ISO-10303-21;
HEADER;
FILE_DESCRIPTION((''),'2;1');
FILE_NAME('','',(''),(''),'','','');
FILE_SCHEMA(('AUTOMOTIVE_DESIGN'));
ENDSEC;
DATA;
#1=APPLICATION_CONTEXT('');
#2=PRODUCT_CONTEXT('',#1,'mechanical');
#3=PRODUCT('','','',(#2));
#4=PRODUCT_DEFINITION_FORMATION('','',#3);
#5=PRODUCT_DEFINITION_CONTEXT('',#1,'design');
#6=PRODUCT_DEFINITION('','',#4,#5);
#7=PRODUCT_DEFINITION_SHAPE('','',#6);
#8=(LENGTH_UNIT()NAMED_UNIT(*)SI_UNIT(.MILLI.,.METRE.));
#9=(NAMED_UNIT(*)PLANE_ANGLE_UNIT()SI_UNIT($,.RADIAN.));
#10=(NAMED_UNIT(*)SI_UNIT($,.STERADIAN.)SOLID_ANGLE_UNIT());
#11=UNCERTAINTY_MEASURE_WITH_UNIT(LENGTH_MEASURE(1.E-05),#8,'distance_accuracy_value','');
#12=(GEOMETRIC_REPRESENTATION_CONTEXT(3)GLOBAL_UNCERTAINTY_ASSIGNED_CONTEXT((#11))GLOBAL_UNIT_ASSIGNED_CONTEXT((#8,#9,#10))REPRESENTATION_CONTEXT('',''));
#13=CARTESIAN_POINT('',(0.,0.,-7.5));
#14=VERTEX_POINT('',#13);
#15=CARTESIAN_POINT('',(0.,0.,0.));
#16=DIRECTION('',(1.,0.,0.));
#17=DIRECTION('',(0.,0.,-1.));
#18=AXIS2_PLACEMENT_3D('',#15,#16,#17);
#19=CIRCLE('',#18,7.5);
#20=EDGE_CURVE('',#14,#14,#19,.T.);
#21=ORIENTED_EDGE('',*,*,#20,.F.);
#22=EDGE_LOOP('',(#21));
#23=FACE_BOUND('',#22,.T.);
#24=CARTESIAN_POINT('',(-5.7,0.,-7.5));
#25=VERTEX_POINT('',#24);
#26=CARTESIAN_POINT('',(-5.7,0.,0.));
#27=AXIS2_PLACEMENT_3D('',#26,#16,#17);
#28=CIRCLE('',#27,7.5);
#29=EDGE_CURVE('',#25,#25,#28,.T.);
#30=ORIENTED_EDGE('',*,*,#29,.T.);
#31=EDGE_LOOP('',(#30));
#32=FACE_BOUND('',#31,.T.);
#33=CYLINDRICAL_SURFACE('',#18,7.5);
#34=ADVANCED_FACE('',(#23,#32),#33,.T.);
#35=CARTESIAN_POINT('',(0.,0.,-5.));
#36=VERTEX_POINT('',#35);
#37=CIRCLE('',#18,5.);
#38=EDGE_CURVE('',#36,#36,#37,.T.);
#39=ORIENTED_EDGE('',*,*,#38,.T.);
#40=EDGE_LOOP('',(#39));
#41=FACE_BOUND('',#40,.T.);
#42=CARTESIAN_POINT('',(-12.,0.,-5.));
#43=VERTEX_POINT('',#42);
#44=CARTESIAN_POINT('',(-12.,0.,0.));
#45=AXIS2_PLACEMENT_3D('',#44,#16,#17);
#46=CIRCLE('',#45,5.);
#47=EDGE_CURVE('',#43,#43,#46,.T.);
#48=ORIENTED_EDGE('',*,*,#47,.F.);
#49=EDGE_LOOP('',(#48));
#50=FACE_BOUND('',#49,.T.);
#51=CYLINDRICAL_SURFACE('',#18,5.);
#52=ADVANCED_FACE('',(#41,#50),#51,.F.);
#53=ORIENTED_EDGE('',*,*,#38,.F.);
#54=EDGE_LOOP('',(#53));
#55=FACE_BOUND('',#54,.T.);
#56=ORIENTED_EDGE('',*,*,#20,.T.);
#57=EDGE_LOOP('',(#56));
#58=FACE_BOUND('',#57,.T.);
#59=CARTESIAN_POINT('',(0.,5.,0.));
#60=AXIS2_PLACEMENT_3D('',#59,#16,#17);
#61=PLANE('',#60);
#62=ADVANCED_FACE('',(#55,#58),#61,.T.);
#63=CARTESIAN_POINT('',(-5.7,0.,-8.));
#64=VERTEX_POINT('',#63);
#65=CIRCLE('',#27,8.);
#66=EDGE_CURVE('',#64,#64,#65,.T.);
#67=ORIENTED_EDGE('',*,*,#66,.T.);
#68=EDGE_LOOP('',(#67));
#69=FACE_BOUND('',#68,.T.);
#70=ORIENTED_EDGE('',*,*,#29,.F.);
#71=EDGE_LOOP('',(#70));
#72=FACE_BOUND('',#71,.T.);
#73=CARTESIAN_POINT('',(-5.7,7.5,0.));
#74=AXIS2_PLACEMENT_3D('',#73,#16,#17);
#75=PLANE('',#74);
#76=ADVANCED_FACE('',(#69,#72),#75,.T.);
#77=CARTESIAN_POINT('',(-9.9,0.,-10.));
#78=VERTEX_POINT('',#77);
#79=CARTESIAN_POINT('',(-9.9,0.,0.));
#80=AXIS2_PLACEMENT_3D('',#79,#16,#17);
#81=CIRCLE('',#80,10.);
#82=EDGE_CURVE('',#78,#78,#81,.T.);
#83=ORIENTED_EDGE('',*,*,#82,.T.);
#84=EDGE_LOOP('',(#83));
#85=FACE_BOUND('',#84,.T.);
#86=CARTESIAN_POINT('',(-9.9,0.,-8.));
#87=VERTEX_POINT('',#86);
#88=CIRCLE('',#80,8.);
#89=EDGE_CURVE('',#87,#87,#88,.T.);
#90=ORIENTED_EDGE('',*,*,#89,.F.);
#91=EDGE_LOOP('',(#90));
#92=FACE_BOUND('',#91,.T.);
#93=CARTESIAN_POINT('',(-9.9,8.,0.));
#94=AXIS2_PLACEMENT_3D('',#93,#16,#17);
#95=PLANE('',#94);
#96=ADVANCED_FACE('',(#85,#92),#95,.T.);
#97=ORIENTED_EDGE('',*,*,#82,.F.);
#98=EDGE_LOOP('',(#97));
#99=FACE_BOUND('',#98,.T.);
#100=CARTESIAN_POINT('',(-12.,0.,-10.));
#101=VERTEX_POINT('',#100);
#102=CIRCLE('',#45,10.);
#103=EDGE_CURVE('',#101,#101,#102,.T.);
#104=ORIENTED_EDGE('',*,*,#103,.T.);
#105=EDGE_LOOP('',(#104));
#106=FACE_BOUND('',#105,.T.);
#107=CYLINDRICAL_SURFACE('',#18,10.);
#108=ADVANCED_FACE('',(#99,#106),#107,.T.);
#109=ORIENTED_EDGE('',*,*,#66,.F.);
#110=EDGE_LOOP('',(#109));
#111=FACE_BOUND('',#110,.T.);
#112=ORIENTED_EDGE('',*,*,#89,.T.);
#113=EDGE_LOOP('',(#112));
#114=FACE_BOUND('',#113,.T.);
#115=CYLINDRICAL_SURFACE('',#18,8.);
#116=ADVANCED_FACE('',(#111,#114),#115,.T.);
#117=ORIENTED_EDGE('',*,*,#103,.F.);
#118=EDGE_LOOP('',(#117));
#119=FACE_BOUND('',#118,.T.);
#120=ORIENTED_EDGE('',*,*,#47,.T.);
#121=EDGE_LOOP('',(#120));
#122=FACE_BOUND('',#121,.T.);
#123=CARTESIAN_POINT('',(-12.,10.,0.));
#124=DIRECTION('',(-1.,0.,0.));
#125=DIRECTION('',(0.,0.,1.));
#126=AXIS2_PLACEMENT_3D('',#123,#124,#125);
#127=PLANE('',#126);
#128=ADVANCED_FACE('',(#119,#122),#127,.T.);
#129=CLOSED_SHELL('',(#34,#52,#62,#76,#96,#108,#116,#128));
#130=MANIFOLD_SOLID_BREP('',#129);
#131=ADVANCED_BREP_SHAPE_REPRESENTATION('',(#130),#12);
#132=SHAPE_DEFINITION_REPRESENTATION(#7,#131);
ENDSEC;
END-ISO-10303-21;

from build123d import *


with BuildPart() as part:
    # Sketch1 → Base-Revolve (revolve)
    with BuildSketch(Plane.XY):
        Polygon((0, 5), (0, 7.5), (-5.7, 7.5), (-5.7, 8), (-9.9, 8), (-9.9, 10), (-12, 10), (-12, 5), align=None)
    revolve(axis=Axis((0, 0, 0), (-1, 0, 0)))


solid = part.part
